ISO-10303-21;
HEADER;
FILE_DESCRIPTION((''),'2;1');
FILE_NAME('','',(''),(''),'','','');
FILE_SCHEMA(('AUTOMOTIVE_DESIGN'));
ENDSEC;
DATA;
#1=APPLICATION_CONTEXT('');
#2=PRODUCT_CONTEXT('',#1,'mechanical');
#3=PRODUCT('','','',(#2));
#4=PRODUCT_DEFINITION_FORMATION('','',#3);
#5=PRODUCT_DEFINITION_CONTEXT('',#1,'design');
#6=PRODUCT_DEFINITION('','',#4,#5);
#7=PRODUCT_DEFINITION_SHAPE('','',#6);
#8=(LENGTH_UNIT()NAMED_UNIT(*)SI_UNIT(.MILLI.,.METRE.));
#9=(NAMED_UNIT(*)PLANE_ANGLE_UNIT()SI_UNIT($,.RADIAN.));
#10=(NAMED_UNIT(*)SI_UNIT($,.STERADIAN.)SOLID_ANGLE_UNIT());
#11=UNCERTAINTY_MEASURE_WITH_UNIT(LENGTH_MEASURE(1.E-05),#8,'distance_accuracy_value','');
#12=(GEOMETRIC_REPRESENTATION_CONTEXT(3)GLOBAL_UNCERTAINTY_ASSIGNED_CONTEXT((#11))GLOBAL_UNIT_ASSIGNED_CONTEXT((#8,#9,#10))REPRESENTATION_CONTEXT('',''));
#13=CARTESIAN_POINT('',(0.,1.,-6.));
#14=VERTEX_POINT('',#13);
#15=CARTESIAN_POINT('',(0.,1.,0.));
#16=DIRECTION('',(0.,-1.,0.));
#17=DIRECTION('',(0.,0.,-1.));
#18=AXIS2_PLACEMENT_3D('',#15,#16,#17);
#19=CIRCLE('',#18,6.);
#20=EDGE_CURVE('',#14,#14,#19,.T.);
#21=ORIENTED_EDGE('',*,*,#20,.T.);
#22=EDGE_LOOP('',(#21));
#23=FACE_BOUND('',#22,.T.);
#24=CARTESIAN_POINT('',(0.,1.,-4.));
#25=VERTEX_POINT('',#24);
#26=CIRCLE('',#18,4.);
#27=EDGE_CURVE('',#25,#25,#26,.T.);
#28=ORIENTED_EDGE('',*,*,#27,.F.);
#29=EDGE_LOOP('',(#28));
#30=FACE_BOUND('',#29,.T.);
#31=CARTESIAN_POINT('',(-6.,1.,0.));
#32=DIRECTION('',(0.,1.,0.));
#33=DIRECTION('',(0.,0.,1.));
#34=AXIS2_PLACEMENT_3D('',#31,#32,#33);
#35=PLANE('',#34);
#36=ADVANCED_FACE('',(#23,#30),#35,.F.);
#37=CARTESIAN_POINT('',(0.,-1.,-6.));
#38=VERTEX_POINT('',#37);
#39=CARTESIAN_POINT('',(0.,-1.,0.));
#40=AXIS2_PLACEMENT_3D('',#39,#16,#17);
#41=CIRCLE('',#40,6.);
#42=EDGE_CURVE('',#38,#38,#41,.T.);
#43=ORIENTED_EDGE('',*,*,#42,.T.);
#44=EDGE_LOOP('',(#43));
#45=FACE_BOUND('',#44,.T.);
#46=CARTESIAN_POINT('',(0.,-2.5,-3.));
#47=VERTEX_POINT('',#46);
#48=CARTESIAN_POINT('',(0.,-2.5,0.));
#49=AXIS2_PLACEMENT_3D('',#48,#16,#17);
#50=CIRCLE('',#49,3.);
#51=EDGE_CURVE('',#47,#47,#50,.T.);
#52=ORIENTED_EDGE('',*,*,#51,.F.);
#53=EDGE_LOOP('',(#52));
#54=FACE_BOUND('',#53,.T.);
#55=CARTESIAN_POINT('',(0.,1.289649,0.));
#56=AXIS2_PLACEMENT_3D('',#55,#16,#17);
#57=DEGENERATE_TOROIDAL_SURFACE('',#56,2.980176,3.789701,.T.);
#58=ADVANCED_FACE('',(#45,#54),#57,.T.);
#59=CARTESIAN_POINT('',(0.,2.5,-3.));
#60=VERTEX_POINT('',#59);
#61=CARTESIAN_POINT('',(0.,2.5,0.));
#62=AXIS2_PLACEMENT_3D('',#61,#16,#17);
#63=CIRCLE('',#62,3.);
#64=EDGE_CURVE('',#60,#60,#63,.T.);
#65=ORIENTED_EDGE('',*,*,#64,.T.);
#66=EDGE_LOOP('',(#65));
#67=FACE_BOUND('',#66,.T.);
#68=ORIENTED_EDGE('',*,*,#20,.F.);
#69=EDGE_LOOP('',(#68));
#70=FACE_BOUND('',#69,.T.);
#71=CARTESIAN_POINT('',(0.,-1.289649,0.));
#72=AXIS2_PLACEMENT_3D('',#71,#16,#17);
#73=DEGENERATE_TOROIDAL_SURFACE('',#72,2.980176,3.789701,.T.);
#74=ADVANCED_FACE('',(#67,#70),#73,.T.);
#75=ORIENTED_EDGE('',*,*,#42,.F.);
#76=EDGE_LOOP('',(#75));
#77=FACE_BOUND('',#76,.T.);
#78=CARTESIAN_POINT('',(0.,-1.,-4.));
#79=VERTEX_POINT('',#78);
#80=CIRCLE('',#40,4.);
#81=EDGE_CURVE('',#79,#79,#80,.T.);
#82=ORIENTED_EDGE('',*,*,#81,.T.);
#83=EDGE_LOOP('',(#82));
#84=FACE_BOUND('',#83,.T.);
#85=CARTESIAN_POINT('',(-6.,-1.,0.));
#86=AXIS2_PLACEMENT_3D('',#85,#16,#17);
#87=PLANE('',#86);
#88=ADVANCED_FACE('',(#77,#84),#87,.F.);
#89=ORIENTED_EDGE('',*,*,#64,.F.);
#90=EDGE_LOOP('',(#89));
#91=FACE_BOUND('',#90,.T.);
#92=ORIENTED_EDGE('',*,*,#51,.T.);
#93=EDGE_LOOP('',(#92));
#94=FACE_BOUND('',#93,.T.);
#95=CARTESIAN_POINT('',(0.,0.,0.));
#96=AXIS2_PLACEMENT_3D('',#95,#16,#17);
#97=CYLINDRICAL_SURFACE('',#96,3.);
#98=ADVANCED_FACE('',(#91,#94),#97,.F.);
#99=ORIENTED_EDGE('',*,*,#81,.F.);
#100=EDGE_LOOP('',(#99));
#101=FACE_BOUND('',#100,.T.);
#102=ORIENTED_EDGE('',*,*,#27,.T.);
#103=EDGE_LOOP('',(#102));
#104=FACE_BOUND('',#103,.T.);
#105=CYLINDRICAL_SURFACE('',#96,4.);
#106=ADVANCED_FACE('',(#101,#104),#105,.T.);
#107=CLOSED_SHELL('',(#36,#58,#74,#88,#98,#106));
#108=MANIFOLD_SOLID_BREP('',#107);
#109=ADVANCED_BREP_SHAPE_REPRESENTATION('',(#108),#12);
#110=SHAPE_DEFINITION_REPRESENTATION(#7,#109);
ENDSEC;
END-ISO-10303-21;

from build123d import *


with BuildPart() as part:
    # Эскиз1 → Повернуть1 (revolve)
    with BuildSketch(Plane.XY, mode=Mode.PRIVATE) as revolve_1_sk:
        with BuildLine():
            Line((-3, -2.5), (-3, 2.5))
            ThreePointArc((-3, 2.5), (-4.674981248, 2.099962496), (-6, 1))
            Line((-6, 1), (-4, 1))
            Line((-4, 1), (-4, -1))
            Line((-4, -1), (-6, -1))
            ThreePointArc((-6, -1), (-4.674981248, -2.099962496), (-3, -2.5))
        make_face()
    revolve(revolve_1_sk.sketch.rotate(Axis((0, 0, 0), (0, 1, 0)), 270), axis=Axis((0, 0, 0), (0, 1, 0)))


solid = part.part
